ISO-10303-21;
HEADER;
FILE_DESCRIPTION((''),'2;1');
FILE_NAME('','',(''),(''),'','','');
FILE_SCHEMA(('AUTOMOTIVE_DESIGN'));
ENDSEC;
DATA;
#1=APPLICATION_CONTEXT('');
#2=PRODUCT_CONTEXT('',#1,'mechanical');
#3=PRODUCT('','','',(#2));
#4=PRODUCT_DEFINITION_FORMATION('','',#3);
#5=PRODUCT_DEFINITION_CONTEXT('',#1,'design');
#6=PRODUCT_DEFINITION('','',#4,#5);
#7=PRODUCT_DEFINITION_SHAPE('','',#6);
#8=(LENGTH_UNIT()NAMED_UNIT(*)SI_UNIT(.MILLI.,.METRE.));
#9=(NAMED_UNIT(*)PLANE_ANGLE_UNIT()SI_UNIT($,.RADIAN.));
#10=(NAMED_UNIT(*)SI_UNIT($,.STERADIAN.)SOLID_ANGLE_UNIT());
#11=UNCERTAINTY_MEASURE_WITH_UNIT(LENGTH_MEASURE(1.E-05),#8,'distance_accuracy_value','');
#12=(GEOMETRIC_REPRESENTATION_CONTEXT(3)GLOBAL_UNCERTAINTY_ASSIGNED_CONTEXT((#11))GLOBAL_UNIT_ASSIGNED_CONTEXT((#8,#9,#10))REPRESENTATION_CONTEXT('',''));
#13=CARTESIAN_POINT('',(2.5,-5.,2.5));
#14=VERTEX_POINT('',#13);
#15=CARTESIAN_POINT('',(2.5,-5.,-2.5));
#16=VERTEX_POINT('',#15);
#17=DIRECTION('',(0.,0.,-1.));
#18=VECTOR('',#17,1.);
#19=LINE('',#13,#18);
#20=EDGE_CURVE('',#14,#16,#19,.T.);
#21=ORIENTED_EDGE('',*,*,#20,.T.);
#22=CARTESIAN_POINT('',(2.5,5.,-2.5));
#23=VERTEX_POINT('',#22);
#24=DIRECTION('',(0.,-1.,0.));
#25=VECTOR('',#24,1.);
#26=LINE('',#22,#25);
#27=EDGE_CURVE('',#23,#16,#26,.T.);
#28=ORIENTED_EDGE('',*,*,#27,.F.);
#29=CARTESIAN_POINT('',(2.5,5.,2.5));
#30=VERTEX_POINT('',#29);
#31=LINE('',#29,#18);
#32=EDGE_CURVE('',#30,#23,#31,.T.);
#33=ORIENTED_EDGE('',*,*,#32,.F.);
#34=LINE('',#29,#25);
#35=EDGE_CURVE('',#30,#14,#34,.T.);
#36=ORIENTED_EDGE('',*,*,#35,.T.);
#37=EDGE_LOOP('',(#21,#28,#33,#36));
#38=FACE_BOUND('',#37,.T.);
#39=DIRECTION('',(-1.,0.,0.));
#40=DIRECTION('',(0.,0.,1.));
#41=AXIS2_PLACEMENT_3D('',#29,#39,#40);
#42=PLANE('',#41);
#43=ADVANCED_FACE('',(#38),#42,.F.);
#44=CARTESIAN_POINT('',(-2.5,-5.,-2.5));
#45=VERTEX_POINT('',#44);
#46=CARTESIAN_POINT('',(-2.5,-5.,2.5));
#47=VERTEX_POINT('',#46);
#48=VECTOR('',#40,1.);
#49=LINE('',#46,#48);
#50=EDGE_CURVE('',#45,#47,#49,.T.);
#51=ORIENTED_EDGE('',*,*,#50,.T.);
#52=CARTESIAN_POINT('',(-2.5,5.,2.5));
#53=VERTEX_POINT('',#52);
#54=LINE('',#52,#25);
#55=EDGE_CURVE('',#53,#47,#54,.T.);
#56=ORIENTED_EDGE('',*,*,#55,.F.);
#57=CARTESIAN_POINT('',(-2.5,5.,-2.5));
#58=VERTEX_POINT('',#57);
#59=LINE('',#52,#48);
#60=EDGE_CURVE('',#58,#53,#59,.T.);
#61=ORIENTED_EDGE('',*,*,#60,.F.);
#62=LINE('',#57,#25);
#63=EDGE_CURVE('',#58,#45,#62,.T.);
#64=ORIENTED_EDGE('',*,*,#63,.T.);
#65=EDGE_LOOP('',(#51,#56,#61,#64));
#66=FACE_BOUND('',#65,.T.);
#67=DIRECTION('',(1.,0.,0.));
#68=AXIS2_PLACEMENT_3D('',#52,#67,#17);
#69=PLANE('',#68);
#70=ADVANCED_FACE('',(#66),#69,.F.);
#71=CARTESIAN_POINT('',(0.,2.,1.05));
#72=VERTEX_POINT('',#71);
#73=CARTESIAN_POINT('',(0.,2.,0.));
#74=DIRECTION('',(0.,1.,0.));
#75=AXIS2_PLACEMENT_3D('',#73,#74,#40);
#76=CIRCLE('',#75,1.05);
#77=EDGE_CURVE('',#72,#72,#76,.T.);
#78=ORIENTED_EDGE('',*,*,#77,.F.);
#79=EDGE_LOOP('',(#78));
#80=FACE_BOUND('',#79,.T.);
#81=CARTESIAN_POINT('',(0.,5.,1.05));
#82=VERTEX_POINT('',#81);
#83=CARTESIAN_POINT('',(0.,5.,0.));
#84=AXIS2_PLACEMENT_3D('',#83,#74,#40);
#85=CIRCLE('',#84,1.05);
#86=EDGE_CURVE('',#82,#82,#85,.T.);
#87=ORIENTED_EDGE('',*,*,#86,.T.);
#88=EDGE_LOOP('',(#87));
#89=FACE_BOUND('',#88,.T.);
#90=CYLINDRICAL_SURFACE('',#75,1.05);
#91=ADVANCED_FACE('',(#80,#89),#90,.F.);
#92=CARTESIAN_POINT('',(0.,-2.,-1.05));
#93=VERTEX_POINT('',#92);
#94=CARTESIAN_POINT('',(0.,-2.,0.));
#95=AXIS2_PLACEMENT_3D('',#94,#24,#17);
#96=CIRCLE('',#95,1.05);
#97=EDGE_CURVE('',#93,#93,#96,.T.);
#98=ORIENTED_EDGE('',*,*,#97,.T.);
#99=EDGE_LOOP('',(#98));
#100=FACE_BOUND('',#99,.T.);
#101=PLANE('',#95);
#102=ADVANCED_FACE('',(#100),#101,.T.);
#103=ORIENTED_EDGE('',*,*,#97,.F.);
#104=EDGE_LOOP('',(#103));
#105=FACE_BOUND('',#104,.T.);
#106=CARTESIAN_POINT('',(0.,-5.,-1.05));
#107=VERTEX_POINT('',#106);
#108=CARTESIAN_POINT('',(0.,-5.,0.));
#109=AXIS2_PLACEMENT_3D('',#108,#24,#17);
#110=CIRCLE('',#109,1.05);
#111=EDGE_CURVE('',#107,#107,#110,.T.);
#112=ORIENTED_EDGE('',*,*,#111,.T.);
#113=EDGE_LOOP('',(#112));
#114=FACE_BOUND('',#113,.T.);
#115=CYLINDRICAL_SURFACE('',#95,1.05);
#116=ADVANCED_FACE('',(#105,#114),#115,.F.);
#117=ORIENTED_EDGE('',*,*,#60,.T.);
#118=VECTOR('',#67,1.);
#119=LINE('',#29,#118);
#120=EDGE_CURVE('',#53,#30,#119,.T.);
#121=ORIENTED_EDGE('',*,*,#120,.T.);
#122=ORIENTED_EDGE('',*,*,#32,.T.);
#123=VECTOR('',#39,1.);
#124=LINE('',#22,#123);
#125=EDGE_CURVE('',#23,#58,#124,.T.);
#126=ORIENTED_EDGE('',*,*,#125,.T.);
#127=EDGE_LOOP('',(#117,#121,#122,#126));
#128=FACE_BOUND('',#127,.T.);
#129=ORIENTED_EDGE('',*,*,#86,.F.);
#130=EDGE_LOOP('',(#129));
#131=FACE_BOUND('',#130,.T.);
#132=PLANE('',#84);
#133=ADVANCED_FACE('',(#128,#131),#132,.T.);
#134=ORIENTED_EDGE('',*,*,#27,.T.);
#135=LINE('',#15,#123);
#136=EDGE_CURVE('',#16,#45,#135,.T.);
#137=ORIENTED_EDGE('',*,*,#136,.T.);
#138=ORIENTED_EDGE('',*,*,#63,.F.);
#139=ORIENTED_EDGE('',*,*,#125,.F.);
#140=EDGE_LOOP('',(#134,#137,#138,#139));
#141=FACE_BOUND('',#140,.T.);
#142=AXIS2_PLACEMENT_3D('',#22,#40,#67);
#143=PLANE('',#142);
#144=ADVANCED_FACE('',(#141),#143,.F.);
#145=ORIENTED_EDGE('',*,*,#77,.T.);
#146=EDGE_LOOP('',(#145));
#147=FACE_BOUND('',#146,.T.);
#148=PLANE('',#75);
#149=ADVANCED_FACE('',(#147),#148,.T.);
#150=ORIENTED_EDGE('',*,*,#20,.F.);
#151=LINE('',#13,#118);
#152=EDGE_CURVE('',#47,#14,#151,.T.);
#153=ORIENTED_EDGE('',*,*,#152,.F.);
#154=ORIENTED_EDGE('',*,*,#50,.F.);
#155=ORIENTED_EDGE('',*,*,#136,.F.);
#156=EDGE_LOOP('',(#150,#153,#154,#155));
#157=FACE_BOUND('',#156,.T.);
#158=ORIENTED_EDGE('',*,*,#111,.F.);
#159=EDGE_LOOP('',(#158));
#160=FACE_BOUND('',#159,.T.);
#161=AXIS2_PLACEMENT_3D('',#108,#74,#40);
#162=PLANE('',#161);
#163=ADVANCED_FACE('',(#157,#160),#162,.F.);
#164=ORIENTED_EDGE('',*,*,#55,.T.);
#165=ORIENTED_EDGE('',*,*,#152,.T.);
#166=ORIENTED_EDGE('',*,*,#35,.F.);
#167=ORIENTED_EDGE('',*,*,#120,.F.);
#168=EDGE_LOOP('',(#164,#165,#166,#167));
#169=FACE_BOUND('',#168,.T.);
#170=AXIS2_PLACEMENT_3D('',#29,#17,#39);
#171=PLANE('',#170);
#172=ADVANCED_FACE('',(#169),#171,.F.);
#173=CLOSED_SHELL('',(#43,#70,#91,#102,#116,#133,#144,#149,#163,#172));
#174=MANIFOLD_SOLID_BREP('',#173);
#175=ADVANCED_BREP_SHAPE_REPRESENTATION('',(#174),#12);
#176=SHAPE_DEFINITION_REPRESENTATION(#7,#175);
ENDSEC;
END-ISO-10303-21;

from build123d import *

# Parameters (mm, degrees)
SKETCH1_W           = 5
SKETCH1_H           = 5
BOSS_EXTRUDE1_DEPTH = 5
SKETCH2_R           = 1.05
CUT_EXTRUDE1_DEPTH  = 3
CUT_EXTRUDE2_START  = -3
SKETCH3_R           = 1.05
CUT_EXTRUDE2_DEPTH  = 3


with BuildPart() as part:
    # Sketch1 → Boss-Extrude1 (new, symmetric)
    with BuildSketch(Plane(origin=(0, 0, 0), x_dir=(1, 0, 0), z_dir=(0, 1, 0))):
        Rectangle(SKETCH1_W, SKETCH1_H)
    extrude(amount=BOSS_EXTRUDE1_DEPTH, both=True)

    # Sketch2 → Cut-Extrude1 (cut)
    with BuildSketch(Plane(origin=(0, 5, 0), x_dir=(1, 0, 0), z_dir=(0, 1, 0))):
        with Locations(Location((0, 0, 0), (0, 0, 270))):
            Circle(SKETCH2_R)
    extrude(amount=-CUT_EXTRUDE1_DEPTH, mode=Mode.SUBTRACT)

    # Sketch3 → Cut-Extrude2 (cut)
    with BuildSketch(Plane.XZ.offset(5).offset(CUT_EXTRUDE2_START)):
        with Locations(Location((0, 0, 0), (0, 0, 90))):
            Circle(SKETCH3_R)
    extrude(amount=CUT_EXTRUDE2_DEPTH, mode=Mode.SUBTRACT)


solid = part.part
